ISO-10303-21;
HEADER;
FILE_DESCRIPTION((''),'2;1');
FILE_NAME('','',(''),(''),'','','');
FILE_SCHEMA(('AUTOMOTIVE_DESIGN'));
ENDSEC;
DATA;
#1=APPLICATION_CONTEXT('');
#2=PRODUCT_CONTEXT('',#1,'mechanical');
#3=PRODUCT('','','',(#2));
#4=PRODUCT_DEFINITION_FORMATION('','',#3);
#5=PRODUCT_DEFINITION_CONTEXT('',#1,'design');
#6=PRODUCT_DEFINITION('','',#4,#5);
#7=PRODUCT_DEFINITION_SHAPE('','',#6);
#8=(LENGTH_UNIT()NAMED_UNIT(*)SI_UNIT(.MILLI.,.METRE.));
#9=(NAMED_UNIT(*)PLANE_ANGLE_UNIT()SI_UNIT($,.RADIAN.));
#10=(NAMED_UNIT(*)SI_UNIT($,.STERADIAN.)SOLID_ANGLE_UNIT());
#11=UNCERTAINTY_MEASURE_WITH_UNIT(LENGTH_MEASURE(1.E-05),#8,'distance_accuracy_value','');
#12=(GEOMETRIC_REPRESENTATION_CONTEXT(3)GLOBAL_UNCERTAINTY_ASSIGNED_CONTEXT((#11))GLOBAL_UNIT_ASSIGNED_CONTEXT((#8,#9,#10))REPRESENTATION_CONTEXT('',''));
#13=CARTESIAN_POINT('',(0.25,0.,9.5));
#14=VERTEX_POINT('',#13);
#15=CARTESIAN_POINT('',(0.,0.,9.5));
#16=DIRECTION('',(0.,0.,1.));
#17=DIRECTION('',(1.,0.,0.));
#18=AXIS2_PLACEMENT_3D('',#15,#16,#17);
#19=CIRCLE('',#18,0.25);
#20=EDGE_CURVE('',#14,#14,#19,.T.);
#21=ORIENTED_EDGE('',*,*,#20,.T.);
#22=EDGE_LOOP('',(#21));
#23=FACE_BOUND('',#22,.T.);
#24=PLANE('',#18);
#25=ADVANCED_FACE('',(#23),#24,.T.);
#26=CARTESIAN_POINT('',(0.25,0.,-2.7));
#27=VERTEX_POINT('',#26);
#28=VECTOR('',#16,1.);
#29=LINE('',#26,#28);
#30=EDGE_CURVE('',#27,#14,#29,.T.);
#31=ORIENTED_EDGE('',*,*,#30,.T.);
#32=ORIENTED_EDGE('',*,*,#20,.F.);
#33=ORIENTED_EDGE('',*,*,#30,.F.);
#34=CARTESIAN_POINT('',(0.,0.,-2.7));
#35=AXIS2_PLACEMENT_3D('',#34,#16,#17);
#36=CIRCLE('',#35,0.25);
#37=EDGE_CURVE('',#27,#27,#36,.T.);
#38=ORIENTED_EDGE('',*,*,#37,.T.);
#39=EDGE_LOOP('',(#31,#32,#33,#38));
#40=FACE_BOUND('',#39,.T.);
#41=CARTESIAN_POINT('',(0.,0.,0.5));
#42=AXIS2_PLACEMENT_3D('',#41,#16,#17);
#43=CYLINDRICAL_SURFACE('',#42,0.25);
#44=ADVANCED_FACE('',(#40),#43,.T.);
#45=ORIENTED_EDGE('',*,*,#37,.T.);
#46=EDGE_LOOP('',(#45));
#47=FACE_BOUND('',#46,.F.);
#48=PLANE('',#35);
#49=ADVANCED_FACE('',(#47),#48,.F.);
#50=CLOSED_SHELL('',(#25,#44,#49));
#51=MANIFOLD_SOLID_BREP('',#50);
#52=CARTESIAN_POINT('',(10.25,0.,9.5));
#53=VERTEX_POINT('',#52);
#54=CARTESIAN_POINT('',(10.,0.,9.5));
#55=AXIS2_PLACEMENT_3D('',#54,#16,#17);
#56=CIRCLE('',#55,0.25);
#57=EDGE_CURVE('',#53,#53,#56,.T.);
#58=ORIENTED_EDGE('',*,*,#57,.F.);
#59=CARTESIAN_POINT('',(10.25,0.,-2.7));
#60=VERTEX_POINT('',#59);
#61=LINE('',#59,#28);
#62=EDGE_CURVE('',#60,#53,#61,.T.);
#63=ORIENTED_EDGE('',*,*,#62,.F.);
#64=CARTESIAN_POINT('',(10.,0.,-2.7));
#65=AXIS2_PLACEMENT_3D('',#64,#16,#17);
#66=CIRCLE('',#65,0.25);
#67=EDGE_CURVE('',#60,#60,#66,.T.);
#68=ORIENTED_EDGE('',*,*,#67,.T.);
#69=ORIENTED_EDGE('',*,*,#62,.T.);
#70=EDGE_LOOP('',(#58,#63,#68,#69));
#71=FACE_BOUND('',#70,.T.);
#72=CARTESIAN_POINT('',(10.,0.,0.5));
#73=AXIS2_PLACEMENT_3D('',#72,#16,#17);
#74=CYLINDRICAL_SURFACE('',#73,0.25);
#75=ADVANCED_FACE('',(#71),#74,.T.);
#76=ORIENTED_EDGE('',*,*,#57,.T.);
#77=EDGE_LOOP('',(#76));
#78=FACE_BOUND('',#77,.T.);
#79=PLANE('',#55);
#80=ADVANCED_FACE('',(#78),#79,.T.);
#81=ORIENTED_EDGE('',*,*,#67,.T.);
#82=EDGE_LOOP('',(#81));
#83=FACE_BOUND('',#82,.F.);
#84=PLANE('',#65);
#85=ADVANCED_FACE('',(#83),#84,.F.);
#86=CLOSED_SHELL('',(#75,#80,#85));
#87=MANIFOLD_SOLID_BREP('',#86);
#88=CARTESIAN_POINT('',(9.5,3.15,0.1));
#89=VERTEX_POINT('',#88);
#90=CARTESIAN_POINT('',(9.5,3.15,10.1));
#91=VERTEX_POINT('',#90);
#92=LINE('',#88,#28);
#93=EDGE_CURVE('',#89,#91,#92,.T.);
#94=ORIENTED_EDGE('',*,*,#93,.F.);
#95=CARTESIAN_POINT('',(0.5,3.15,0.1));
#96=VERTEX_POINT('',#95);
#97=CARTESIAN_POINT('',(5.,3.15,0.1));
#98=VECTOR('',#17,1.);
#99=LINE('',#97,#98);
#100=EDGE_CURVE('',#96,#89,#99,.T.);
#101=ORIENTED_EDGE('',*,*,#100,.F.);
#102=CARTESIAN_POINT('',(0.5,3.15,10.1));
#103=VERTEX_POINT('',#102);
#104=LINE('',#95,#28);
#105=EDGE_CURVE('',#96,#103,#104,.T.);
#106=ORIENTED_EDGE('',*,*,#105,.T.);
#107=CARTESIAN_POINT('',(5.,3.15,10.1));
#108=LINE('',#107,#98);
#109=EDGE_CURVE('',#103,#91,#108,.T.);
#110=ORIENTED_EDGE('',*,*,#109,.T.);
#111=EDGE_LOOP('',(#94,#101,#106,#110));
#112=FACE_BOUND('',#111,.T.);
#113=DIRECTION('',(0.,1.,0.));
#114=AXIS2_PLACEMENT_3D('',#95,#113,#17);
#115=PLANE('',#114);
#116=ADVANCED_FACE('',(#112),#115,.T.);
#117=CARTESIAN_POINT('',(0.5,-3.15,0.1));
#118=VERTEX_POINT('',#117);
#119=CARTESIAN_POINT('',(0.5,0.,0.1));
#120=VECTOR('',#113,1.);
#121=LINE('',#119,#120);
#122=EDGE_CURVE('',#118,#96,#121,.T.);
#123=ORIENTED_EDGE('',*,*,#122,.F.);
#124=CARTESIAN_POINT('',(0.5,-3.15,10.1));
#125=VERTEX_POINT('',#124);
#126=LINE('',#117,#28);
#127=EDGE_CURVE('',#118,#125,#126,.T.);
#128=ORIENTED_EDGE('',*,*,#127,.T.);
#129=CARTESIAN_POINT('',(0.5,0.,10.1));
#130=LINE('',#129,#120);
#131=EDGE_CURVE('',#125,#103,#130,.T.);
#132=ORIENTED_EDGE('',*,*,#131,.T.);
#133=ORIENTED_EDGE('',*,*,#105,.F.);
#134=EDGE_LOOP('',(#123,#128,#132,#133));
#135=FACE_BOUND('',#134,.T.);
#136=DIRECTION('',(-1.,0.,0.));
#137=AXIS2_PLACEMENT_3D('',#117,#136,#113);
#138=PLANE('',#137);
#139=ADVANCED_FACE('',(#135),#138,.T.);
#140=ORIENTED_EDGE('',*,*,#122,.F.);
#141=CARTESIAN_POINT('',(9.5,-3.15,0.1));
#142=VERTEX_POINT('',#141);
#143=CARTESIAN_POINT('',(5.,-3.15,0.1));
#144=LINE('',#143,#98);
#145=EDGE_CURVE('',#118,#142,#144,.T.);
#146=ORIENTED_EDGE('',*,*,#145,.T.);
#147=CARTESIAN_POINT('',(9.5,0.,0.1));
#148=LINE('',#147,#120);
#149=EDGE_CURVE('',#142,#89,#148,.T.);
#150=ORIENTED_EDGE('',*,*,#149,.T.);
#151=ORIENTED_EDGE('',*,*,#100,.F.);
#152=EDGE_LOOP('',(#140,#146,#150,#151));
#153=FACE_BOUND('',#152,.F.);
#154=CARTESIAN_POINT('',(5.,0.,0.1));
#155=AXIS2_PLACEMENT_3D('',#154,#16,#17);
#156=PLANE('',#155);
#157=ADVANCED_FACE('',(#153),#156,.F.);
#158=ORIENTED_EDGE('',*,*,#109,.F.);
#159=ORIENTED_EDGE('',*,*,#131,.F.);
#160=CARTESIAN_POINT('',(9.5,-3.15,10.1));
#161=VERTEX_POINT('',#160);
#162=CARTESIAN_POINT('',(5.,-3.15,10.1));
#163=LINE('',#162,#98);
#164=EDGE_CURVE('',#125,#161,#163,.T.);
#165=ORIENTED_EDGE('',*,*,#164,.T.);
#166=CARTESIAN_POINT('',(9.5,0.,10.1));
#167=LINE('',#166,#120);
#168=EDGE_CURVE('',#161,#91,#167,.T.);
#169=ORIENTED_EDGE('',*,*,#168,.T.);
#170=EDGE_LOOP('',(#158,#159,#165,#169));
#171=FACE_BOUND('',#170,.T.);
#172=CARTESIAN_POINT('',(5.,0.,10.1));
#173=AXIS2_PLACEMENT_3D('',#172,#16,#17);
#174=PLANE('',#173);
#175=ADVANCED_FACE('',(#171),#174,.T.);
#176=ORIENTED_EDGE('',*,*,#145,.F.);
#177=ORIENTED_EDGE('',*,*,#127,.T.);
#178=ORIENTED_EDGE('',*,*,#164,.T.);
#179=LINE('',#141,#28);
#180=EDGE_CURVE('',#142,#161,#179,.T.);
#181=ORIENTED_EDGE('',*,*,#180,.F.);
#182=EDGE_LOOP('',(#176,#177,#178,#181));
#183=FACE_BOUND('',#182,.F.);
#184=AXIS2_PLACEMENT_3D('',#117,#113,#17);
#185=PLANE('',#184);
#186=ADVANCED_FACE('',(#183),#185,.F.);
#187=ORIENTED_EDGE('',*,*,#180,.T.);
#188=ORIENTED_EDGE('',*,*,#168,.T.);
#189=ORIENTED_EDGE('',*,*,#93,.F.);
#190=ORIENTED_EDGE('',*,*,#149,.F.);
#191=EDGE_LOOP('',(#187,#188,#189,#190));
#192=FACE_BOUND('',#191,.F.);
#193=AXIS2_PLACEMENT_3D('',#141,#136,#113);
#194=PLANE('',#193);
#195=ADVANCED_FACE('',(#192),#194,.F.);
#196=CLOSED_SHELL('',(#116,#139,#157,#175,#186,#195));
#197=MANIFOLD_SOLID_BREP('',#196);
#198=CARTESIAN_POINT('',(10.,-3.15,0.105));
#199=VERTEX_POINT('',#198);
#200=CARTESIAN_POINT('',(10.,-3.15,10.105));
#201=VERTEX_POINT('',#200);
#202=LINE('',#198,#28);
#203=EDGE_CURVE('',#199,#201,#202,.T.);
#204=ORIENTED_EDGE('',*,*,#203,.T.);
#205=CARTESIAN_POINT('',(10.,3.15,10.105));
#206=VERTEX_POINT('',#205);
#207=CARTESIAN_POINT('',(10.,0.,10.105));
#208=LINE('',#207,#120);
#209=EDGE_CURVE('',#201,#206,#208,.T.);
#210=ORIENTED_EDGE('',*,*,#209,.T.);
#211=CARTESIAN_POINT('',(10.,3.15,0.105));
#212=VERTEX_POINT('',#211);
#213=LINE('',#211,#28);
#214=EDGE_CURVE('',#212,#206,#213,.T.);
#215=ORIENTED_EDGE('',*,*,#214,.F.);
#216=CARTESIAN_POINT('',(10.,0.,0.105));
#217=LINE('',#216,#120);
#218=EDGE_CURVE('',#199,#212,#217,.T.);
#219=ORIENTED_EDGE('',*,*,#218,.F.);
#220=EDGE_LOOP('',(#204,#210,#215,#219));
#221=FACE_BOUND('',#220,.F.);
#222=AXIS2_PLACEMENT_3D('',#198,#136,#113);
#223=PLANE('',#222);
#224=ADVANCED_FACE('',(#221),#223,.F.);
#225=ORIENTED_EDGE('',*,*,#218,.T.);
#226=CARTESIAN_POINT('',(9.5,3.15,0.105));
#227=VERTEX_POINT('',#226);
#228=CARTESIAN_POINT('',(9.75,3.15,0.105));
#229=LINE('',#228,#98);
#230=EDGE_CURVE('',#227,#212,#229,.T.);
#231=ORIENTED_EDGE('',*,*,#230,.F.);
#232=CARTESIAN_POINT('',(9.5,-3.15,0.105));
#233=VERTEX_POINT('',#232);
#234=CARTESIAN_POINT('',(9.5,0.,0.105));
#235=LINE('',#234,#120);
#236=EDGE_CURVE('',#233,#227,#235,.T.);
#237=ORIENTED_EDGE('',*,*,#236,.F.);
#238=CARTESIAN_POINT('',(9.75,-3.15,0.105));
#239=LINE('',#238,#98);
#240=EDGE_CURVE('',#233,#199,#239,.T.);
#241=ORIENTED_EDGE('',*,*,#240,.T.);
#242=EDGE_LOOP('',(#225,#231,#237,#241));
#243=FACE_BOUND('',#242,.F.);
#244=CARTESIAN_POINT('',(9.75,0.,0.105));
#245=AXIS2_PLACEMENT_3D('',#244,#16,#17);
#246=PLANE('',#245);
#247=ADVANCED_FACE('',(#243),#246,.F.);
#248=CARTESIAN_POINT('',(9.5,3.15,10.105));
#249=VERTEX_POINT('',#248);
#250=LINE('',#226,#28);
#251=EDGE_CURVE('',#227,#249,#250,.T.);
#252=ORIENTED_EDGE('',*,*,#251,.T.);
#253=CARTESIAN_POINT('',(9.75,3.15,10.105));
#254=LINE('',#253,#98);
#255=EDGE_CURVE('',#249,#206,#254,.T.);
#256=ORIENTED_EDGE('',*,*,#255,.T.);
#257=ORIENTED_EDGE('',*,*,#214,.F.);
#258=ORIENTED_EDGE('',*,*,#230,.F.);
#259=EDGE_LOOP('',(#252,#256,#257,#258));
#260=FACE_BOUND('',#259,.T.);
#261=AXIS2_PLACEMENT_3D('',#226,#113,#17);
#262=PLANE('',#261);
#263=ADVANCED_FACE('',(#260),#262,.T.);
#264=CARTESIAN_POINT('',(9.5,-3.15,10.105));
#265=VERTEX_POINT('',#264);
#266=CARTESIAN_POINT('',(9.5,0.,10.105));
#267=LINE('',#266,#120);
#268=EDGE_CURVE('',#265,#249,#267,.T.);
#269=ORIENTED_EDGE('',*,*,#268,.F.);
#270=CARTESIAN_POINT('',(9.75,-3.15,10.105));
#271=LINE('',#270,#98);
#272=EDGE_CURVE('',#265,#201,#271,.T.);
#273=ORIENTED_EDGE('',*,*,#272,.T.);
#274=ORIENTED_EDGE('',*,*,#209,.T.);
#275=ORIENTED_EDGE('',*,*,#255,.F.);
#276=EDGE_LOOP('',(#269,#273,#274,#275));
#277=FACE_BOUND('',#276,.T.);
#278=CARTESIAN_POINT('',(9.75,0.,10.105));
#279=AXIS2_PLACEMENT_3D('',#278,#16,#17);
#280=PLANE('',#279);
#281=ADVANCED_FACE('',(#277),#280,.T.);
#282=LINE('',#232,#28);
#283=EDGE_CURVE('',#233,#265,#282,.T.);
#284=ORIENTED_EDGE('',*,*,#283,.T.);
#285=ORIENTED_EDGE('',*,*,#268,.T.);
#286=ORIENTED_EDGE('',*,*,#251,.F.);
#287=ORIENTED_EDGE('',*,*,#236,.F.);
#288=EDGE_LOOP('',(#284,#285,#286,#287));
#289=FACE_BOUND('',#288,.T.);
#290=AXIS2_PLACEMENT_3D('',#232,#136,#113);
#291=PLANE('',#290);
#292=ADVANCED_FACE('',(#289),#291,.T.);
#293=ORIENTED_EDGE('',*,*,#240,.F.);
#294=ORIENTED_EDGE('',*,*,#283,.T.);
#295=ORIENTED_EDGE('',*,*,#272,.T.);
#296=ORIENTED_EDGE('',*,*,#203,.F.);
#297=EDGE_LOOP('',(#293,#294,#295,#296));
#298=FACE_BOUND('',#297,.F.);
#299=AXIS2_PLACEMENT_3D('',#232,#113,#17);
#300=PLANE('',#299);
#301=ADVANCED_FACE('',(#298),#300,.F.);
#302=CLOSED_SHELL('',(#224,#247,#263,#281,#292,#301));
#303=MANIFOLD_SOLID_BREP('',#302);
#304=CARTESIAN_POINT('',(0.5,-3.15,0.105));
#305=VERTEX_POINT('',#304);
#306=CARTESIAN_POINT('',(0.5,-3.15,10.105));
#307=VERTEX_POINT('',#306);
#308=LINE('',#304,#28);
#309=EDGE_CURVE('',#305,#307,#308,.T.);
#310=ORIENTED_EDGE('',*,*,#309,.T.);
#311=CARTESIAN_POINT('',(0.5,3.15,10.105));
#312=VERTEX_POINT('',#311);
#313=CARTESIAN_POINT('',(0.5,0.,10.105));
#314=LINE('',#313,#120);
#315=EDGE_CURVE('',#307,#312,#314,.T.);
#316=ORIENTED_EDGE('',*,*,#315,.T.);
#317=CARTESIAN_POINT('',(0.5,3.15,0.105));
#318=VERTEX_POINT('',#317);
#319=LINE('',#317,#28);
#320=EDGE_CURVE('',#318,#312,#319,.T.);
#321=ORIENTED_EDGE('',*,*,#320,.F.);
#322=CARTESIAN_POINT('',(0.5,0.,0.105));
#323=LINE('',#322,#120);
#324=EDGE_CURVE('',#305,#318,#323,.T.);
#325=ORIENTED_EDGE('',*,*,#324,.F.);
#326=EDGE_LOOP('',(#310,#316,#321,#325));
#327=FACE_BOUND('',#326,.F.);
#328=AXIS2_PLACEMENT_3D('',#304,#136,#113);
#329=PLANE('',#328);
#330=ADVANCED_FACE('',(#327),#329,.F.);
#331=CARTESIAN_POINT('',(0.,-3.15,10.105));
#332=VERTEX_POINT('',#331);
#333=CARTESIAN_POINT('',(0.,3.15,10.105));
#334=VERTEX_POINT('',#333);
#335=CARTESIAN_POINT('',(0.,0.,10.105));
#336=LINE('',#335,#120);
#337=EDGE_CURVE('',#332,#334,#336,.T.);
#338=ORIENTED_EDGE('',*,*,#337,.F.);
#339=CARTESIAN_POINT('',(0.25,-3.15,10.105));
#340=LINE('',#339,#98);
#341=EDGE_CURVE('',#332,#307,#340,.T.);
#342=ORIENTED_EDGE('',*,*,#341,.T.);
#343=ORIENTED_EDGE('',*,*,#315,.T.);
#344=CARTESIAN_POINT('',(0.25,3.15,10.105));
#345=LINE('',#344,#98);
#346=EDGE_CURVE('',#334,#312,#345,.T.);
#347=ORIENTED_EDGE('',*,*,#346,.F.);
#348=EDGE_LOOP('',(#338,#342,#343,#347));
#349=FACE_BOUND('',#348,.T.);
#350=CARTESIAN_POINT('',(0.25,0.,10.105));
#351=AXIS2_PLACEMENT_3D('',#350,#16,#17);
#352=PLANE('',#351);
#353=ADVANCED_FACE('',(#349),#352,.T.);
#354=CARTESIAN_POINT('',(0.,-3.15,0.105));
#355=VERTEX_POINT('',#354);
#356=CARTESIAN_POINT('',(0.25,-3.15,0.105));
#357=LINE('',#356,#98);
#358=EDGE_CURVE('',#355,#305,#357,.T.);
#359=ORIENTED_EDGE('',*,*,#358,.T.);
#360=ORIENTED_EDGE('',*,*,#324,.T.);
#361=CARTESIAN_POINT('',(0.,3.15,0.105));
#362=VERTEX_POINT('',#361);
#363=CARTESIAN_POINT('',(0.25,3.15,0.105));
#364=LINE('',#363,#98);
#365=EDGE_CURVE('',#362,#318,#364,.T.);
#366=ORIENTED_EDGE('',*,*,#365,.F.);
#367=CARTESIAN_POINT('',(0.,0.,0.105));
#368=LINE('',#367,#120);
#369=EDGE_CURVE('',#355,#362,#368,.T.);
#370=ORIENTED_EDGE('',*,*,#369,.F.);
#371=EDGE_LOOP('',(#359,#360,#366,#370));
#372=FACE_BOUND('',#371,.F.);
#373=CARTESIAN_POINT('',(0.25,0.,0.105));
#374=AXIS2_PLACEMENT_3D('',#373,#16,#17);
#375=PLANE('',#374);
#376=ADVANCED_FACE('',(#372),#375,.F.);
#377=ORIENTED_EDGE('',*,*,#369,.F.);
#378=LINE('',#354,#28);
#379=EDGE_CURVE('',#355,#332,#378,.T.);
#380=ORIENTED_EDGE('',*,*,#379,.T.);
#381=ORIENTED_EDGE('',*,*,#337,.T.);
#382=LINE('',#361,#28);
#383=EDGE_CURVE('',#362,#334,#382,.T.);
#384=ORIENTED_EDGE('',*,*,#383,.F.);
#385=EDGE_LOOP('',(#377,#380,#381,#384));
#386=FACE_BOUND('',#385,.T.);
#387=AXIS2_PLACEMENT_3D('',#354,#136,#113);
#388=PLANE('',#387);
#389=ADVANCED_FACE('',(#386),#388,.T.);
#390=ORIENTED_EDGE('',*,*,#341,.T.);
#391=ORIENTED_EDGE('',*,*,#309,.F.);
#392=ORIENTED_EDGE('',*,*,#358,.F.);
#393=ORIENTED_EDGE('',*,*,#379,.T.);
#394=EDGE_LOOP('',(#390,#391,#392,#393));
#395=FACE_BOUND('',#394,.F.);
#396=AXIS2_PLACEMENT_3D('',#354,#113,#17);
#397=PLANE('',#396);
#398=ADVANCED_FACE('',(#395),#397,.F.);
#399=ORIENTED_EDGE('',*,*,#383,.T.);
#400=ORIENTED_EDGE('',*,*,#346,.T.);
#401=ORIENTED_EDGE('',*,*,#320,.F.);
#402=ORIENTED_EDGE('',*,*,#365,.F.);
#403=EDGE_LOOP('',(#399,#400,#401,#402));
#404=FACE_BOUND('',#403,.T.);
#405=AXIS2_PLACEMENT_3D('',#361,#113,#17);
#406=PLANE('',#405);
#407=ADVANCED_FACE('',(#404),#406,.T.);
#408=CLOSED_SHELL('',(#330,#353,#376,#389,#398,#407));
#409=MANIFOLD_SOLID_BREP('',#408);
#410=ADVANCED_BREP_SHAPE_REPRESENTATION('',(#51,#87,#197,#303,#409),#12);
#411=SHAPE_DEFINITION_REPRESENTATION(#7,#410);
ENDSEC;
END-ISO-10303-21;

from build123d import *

# Parameters (mm, degrees)
SKETCH_W          = 9
SKETCH_H          = 6.3
PAD_DEPTH         = 10
SKETCH001_R       = 0.25
PAD001_DEPTH      = 9
PAD001_DEPTH_BACK = 3.2
SKETCH002_W       = 0.5
SKETCH002_H       = 6.3
PAD002_DEPTH      = 10


with BuildPart() as pad:
    # Sketch → Pad (new body)
    with BuildSketch(Plane.XY.offset(0.1)):
        with Locations((5, 0)):
            Rectangle(SKETCH_W, SKETCH_H)
    extrude(amount=PAD_DEPTH)


with BuildPart() as pad001:
    # Sketch001 → Pad001 (new body, two sides)
    with BuildSketch(Plane.XY.offset(0.5)) as pad001_sk:
        Circle(SKETCH001_R)
        with Locations((10, 0)):
            Circle(SKETCH001_R)
    extrude(amount=PAD001_DEPTH)
    extrude(pad001_sk.sketch, amount=-PAD001_DEPTH_BACK)


with BuildPart() as pad002:
    # Sketch002 → Pad002 (new body)
    with BuildSketch(Plane.XY.offset(0.105)):
        with Locations((0.25, 0)):
            Rectangle(SKETCH002_W, SKETCH002_H)
        with Locations((9.75, 0)):
            Rectangle(SKETCH002_W, SKETCH002_H)
    extrude(amount=PAD002_DEPTH)


solid = Compound([pad.part, pad001.part, pad002.part])
